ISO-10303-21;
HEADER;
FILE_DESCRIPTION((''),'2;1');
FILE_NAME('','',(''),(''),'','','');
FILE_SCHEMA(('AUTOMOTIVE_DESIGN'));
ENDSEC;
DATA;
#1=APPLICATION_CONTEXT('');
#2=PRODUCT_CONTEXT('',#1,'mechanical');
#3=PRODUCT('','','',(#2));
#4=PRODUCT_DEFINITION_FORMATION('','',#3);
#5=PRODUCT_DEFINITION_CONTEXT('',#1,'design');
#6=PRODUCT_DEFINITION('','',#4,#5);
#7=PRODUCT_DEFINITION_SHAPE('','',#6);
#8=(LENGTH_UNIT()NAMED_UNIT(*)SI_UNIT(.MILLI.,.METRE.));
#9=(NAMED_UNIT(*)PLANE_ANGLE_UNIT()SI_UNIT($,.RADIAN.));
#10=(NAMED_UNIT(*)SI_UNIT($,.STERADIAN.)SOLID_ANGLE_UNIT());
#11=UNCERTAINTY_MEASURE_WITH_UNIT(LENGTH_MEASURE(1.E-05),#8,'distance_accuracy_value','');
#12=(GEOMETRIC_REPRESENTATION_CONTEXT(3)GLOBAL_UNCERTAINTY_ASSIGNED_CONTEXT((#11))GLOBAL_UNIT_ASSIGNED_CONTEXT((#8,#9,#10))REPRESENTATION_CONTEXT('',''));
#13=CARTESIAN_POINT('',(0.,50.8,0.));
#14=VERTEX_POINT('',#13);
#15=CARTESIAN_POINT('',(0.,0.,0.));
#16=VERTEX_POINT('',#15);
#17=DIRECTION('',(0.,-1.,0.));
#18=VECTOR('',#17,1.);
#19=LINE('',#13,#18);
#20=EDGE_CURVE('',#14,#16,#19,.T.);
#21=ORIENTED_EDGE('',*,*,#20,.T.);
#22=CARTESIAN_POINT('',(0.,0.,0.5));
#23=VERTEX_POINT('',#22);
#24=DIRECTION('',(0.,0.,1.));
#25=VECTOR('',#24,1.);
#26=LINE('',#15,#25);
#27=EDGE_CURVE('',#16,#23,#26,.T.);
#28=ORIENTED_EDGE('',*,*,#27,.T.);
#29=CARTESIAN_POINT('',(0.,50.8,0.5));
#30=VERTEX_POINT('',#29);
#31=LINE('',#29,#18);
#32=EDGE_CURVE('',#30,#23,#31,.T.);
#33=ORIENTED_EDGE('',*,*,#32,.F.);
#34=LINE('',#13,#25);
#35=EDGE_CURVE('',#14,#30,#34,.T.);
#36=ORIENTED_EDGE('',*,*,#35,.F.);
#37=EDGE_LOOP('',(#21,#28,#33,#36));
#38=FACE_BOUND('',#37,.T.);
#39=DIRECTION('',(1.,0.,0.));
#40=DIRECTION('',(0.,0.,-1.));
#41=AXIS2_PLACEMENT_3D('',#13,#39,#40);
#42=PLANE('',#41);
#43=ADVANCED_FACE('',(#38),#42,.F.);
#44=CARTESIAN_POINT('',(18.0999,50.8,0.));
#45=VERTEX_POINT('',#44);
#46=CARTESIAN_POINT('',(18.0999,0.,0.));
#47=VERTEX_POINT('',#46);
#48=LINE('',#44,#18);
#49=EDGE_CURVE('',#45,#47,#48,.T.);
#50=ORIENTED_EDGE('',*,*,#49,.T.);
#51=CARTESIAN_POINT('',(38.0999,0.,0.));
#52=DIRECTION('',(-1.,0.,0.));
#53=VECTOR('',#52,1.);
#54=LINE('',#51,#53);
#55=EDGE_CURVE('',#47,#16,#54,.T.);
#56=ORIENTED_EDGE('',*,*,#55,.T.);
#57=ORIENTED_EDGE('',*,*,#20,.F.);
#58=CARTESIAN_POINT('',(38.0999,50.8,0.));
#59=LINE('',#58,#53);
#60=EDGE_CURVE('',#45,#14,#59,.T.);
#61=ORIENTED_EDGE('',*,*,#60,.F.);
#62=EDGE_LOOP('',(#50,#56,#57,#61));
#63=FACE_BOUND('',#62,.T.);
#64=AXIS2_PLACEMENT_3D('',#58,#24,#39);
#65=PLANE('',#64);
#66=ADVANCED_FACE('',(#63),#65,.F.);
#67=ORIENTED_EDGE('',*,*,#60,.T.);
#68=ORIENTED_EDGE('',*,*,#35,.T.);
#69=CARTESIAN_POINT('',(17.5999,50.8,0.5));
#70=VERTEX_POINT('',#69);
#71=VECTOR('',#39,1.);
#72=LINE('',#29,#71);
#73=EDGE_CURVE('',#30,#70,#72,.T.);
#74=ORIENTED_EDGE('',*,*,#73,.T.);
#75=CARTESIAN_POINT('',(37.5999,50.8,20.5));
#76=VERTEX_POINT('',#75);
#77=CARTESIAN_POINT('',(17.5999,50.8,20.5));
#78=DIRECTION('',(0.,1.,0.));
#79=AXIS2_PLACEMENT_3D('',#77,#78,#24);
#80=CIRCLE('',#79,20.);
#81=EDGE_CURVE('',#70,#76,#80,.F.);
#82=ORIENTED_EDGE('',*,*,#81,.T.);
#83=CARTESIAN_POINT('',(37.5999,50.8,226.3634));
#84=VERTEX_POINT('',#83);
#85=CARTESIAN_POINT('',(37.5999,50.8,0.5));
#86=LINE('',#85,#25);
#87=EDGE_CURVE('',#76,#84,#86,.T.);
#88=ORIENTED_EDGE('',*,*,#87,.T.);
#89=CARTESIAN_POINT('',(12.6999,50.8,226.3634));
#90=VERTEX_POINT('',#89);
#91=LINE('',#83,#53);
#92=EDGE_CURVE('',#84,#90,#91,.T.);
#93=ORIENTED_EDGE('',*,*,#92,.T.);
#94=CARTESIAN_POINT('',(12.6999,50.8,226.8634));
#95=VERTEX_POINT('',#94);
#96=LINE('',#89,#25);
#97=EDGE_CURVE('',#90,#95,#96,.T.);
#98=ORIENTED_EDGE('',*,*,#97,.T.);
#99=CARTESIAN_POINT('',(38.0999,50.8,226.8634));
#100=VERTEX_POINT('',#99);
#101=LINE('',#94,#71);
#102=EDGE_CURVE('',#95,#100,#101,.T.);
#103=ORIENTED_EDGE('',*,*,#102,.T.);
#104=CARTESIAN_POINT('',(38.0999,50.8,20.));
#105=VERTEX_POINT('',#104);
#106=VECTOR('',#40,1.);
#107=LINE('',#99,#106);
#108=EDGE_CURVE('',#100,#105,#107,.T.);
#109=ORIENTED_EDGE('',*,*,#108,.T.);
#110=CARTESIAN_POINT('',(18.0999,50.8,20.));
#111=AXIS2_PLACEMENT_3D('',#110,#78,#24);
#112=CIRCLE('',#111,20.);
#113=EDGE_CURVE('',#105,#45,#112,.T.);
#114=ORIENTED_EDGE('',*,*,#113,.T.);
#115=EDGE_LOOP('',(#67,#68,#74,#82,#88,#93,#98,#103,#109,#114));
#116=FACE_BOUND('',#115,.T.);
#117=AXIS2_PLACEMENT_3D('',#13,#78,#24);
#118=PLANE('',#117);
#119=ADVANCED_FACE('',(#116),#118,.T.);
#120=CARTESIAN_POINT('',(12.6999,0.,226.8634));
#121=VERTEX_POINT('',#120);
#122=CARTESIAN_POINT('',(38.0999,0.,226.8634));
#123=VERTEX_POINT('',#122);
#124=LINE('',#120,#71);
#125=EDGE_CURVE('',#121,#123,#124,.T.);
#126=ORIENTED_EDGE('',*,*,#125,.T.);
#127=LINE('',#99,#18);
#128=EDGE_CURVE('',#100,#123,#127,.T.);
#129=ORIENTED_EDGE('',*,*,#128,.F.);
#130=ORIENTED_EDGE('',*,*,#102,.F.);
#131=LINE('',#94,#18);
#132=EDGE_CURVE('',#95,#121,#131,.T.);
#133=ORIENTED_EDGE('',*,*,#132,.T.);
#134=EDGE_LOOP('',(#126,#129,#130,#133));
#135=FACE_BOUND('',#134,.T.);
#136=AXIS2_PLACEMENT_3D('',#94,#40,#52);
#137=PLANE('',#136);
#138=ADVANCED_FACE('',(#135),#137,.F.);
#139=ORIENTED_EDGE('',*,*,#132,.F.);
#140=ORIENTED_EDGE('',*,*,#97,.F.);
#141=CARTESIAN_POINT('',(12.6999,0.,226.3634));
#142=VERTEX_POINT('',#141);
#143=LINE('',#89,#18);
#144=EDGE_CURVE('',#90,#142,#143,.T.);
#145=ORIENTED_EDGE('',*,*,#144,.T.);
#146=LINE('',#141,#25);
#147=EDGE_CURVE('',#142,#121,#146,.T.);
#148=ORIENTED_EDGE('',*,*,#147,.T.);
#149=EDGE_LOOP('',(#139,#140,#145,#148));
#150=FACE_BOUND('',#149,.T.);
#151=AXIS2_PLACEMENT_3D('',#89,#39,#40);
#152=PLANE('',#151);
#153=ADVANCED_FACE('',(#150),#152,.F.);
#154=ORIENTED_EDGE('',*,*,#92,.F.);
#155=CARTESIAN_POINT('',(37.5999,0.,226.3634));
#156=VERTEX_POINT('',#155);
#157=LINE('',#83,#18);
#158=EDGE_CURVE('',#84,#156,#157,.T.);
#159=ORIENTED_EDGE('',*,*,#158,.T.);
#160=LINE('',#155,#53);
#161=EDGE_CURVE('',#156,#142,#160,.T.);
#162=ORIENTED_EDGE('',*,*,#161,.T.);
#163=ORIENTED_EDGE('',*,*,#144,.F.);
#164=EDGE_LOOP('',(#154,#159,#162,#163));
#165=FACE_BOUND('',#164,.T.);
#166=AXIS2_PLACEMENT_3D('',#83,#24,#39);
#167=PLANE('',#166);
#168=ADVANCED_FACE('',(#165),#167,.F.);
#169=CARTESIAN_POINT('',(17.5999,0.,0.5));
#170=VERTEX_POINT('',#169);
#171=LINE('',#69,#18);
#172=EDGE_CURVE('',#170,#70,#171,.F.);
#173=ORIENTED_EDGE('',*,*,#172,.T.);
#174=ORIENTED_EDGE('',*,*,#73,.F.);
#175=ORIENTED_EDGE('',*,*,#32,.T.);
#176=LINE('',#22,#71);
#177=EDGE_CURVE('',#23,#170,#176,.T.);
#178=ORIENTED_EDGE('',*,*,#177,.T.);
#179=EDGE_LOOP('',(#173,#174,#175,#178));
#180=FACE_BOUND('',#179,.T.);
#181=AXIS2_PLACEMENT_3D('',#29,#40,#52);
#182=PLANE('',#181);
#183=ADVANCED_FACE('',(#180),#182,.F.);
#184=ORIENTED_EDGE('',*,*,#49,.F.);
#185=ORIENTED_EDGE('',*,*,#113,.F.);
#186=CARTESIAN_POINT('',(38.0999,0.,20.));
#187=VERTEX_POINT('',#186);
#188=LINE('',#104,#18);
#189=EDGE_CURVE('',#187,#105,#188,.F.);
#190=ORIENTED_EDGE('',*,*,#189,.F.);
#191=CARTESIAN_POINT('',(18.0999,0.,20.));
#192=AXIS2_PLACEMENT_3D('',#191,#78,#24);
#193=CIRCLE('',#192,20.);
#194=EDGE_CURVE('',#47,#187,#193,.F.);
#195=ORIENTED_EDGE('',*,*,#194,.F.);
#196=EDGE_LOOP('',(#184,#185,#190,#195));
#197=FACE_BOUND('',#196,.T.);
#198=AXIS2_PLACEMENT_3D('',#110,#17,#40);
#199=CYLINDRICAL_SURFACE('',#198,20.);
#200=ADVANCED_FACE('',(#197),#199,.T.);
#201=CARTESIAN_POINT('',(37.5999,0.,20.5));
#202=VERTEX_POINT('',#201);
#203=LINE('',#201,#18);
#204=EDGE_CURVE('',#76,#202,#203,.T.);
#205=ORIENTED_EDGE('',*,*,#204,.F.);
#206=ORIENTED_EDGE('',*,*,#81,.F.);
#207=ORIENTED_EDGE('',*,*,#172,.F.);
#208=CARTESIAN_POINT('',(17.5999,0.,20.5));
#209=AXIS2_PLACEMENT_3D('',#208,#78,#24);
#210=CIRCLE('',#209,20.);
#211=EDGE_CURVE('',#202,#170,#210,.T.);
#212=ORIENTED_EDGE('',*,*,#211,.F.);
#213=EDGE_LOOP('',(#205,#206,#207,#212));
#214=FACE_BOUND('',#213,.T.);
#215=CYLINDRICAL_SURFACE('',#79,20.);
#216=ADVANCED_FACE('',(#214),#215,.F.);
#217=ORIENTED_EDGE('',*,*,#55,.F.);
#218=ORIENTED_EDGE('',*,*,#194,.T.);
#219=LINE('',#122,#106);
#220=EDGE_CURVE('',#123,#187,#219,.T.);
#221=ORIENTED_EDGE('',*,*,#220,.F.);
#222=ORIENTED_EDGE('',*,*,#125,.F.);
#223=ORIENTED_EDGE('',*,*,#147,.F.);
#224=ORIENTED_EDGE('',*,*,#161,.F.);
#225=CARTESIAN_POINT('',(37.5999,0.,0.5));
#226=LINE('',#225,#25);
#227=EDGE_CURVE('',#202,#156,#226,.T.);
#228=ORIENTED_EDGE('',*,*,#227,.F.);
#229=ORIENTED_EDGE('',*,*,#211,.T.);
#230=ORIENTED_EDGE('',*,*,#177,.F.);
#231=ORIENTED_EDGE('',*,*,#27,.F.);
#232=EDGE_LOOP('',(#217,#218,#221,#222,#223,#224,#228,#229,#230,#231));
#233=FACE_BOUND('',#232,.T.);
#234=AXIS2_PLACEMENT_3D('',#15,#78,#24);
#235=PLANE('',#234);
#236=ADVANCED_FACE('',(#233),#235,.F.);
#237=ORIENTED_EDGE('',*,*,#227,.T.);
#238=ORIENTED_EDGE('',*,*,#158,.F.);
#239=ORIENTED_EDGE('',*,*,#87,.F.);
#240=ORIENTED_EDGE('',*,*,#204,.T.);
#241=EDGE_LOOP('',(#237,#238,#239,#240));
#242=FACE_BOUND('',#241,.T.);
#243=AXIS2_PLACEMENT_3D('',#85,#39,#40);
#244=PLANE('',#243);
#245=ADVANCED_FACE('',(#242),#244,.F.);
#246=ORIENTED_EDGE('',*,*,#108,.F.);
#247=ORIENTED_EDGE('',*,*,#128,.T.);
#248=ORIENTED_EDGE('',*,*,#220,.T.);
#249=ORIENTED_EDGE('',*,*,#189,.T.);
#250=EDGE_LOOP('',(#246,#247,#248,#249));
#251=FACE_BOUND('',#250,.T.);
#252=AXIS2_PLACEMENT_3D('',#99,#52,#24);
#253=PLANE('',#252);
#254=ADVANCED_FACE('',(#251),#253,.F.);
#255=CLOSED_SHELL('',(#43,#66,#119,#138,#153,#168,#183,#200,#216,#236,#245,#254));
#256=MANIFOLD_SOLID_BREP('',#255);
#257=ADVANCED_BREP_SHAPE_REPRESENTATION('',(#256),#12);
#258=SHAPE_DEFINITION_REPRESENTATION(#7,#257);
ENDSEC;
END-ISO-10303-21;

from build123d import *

# Parameters (mm, degrees)
BOSS_EXTRUDE1_DEPTH = 50.8
FILLET1_R           = 20


with BuildPart() as part:
    # Sketch1 → Boss-Extrude1 (new body)
    with BuildSketch(Plane(origin=(0, 0, 0), x_dir=(1, 0, 0), z_dir=(0, 1, 0))):
        Polygon((0, 0), (0, -0.5), (37.5999, -0.5), (37.5999, -226.3634), (12.6999, -226.3634), (12.6999, -226.8634), (38.0999, -226.8634), (38.0999, 0), align=None)
    extrude(amount=BOSS_EXTRUDE1_DEPTH)

    # Fillet1
    fillet1_edges = [part.edges().sort_by_distance(p)[0] for p in [
        (38.0999, 25.4, 0),
        (37.5999, 25.4, 0.5),
    ]]
    fillet(fillet1_edges, radius=FILLET1_R)


solid = part.part
